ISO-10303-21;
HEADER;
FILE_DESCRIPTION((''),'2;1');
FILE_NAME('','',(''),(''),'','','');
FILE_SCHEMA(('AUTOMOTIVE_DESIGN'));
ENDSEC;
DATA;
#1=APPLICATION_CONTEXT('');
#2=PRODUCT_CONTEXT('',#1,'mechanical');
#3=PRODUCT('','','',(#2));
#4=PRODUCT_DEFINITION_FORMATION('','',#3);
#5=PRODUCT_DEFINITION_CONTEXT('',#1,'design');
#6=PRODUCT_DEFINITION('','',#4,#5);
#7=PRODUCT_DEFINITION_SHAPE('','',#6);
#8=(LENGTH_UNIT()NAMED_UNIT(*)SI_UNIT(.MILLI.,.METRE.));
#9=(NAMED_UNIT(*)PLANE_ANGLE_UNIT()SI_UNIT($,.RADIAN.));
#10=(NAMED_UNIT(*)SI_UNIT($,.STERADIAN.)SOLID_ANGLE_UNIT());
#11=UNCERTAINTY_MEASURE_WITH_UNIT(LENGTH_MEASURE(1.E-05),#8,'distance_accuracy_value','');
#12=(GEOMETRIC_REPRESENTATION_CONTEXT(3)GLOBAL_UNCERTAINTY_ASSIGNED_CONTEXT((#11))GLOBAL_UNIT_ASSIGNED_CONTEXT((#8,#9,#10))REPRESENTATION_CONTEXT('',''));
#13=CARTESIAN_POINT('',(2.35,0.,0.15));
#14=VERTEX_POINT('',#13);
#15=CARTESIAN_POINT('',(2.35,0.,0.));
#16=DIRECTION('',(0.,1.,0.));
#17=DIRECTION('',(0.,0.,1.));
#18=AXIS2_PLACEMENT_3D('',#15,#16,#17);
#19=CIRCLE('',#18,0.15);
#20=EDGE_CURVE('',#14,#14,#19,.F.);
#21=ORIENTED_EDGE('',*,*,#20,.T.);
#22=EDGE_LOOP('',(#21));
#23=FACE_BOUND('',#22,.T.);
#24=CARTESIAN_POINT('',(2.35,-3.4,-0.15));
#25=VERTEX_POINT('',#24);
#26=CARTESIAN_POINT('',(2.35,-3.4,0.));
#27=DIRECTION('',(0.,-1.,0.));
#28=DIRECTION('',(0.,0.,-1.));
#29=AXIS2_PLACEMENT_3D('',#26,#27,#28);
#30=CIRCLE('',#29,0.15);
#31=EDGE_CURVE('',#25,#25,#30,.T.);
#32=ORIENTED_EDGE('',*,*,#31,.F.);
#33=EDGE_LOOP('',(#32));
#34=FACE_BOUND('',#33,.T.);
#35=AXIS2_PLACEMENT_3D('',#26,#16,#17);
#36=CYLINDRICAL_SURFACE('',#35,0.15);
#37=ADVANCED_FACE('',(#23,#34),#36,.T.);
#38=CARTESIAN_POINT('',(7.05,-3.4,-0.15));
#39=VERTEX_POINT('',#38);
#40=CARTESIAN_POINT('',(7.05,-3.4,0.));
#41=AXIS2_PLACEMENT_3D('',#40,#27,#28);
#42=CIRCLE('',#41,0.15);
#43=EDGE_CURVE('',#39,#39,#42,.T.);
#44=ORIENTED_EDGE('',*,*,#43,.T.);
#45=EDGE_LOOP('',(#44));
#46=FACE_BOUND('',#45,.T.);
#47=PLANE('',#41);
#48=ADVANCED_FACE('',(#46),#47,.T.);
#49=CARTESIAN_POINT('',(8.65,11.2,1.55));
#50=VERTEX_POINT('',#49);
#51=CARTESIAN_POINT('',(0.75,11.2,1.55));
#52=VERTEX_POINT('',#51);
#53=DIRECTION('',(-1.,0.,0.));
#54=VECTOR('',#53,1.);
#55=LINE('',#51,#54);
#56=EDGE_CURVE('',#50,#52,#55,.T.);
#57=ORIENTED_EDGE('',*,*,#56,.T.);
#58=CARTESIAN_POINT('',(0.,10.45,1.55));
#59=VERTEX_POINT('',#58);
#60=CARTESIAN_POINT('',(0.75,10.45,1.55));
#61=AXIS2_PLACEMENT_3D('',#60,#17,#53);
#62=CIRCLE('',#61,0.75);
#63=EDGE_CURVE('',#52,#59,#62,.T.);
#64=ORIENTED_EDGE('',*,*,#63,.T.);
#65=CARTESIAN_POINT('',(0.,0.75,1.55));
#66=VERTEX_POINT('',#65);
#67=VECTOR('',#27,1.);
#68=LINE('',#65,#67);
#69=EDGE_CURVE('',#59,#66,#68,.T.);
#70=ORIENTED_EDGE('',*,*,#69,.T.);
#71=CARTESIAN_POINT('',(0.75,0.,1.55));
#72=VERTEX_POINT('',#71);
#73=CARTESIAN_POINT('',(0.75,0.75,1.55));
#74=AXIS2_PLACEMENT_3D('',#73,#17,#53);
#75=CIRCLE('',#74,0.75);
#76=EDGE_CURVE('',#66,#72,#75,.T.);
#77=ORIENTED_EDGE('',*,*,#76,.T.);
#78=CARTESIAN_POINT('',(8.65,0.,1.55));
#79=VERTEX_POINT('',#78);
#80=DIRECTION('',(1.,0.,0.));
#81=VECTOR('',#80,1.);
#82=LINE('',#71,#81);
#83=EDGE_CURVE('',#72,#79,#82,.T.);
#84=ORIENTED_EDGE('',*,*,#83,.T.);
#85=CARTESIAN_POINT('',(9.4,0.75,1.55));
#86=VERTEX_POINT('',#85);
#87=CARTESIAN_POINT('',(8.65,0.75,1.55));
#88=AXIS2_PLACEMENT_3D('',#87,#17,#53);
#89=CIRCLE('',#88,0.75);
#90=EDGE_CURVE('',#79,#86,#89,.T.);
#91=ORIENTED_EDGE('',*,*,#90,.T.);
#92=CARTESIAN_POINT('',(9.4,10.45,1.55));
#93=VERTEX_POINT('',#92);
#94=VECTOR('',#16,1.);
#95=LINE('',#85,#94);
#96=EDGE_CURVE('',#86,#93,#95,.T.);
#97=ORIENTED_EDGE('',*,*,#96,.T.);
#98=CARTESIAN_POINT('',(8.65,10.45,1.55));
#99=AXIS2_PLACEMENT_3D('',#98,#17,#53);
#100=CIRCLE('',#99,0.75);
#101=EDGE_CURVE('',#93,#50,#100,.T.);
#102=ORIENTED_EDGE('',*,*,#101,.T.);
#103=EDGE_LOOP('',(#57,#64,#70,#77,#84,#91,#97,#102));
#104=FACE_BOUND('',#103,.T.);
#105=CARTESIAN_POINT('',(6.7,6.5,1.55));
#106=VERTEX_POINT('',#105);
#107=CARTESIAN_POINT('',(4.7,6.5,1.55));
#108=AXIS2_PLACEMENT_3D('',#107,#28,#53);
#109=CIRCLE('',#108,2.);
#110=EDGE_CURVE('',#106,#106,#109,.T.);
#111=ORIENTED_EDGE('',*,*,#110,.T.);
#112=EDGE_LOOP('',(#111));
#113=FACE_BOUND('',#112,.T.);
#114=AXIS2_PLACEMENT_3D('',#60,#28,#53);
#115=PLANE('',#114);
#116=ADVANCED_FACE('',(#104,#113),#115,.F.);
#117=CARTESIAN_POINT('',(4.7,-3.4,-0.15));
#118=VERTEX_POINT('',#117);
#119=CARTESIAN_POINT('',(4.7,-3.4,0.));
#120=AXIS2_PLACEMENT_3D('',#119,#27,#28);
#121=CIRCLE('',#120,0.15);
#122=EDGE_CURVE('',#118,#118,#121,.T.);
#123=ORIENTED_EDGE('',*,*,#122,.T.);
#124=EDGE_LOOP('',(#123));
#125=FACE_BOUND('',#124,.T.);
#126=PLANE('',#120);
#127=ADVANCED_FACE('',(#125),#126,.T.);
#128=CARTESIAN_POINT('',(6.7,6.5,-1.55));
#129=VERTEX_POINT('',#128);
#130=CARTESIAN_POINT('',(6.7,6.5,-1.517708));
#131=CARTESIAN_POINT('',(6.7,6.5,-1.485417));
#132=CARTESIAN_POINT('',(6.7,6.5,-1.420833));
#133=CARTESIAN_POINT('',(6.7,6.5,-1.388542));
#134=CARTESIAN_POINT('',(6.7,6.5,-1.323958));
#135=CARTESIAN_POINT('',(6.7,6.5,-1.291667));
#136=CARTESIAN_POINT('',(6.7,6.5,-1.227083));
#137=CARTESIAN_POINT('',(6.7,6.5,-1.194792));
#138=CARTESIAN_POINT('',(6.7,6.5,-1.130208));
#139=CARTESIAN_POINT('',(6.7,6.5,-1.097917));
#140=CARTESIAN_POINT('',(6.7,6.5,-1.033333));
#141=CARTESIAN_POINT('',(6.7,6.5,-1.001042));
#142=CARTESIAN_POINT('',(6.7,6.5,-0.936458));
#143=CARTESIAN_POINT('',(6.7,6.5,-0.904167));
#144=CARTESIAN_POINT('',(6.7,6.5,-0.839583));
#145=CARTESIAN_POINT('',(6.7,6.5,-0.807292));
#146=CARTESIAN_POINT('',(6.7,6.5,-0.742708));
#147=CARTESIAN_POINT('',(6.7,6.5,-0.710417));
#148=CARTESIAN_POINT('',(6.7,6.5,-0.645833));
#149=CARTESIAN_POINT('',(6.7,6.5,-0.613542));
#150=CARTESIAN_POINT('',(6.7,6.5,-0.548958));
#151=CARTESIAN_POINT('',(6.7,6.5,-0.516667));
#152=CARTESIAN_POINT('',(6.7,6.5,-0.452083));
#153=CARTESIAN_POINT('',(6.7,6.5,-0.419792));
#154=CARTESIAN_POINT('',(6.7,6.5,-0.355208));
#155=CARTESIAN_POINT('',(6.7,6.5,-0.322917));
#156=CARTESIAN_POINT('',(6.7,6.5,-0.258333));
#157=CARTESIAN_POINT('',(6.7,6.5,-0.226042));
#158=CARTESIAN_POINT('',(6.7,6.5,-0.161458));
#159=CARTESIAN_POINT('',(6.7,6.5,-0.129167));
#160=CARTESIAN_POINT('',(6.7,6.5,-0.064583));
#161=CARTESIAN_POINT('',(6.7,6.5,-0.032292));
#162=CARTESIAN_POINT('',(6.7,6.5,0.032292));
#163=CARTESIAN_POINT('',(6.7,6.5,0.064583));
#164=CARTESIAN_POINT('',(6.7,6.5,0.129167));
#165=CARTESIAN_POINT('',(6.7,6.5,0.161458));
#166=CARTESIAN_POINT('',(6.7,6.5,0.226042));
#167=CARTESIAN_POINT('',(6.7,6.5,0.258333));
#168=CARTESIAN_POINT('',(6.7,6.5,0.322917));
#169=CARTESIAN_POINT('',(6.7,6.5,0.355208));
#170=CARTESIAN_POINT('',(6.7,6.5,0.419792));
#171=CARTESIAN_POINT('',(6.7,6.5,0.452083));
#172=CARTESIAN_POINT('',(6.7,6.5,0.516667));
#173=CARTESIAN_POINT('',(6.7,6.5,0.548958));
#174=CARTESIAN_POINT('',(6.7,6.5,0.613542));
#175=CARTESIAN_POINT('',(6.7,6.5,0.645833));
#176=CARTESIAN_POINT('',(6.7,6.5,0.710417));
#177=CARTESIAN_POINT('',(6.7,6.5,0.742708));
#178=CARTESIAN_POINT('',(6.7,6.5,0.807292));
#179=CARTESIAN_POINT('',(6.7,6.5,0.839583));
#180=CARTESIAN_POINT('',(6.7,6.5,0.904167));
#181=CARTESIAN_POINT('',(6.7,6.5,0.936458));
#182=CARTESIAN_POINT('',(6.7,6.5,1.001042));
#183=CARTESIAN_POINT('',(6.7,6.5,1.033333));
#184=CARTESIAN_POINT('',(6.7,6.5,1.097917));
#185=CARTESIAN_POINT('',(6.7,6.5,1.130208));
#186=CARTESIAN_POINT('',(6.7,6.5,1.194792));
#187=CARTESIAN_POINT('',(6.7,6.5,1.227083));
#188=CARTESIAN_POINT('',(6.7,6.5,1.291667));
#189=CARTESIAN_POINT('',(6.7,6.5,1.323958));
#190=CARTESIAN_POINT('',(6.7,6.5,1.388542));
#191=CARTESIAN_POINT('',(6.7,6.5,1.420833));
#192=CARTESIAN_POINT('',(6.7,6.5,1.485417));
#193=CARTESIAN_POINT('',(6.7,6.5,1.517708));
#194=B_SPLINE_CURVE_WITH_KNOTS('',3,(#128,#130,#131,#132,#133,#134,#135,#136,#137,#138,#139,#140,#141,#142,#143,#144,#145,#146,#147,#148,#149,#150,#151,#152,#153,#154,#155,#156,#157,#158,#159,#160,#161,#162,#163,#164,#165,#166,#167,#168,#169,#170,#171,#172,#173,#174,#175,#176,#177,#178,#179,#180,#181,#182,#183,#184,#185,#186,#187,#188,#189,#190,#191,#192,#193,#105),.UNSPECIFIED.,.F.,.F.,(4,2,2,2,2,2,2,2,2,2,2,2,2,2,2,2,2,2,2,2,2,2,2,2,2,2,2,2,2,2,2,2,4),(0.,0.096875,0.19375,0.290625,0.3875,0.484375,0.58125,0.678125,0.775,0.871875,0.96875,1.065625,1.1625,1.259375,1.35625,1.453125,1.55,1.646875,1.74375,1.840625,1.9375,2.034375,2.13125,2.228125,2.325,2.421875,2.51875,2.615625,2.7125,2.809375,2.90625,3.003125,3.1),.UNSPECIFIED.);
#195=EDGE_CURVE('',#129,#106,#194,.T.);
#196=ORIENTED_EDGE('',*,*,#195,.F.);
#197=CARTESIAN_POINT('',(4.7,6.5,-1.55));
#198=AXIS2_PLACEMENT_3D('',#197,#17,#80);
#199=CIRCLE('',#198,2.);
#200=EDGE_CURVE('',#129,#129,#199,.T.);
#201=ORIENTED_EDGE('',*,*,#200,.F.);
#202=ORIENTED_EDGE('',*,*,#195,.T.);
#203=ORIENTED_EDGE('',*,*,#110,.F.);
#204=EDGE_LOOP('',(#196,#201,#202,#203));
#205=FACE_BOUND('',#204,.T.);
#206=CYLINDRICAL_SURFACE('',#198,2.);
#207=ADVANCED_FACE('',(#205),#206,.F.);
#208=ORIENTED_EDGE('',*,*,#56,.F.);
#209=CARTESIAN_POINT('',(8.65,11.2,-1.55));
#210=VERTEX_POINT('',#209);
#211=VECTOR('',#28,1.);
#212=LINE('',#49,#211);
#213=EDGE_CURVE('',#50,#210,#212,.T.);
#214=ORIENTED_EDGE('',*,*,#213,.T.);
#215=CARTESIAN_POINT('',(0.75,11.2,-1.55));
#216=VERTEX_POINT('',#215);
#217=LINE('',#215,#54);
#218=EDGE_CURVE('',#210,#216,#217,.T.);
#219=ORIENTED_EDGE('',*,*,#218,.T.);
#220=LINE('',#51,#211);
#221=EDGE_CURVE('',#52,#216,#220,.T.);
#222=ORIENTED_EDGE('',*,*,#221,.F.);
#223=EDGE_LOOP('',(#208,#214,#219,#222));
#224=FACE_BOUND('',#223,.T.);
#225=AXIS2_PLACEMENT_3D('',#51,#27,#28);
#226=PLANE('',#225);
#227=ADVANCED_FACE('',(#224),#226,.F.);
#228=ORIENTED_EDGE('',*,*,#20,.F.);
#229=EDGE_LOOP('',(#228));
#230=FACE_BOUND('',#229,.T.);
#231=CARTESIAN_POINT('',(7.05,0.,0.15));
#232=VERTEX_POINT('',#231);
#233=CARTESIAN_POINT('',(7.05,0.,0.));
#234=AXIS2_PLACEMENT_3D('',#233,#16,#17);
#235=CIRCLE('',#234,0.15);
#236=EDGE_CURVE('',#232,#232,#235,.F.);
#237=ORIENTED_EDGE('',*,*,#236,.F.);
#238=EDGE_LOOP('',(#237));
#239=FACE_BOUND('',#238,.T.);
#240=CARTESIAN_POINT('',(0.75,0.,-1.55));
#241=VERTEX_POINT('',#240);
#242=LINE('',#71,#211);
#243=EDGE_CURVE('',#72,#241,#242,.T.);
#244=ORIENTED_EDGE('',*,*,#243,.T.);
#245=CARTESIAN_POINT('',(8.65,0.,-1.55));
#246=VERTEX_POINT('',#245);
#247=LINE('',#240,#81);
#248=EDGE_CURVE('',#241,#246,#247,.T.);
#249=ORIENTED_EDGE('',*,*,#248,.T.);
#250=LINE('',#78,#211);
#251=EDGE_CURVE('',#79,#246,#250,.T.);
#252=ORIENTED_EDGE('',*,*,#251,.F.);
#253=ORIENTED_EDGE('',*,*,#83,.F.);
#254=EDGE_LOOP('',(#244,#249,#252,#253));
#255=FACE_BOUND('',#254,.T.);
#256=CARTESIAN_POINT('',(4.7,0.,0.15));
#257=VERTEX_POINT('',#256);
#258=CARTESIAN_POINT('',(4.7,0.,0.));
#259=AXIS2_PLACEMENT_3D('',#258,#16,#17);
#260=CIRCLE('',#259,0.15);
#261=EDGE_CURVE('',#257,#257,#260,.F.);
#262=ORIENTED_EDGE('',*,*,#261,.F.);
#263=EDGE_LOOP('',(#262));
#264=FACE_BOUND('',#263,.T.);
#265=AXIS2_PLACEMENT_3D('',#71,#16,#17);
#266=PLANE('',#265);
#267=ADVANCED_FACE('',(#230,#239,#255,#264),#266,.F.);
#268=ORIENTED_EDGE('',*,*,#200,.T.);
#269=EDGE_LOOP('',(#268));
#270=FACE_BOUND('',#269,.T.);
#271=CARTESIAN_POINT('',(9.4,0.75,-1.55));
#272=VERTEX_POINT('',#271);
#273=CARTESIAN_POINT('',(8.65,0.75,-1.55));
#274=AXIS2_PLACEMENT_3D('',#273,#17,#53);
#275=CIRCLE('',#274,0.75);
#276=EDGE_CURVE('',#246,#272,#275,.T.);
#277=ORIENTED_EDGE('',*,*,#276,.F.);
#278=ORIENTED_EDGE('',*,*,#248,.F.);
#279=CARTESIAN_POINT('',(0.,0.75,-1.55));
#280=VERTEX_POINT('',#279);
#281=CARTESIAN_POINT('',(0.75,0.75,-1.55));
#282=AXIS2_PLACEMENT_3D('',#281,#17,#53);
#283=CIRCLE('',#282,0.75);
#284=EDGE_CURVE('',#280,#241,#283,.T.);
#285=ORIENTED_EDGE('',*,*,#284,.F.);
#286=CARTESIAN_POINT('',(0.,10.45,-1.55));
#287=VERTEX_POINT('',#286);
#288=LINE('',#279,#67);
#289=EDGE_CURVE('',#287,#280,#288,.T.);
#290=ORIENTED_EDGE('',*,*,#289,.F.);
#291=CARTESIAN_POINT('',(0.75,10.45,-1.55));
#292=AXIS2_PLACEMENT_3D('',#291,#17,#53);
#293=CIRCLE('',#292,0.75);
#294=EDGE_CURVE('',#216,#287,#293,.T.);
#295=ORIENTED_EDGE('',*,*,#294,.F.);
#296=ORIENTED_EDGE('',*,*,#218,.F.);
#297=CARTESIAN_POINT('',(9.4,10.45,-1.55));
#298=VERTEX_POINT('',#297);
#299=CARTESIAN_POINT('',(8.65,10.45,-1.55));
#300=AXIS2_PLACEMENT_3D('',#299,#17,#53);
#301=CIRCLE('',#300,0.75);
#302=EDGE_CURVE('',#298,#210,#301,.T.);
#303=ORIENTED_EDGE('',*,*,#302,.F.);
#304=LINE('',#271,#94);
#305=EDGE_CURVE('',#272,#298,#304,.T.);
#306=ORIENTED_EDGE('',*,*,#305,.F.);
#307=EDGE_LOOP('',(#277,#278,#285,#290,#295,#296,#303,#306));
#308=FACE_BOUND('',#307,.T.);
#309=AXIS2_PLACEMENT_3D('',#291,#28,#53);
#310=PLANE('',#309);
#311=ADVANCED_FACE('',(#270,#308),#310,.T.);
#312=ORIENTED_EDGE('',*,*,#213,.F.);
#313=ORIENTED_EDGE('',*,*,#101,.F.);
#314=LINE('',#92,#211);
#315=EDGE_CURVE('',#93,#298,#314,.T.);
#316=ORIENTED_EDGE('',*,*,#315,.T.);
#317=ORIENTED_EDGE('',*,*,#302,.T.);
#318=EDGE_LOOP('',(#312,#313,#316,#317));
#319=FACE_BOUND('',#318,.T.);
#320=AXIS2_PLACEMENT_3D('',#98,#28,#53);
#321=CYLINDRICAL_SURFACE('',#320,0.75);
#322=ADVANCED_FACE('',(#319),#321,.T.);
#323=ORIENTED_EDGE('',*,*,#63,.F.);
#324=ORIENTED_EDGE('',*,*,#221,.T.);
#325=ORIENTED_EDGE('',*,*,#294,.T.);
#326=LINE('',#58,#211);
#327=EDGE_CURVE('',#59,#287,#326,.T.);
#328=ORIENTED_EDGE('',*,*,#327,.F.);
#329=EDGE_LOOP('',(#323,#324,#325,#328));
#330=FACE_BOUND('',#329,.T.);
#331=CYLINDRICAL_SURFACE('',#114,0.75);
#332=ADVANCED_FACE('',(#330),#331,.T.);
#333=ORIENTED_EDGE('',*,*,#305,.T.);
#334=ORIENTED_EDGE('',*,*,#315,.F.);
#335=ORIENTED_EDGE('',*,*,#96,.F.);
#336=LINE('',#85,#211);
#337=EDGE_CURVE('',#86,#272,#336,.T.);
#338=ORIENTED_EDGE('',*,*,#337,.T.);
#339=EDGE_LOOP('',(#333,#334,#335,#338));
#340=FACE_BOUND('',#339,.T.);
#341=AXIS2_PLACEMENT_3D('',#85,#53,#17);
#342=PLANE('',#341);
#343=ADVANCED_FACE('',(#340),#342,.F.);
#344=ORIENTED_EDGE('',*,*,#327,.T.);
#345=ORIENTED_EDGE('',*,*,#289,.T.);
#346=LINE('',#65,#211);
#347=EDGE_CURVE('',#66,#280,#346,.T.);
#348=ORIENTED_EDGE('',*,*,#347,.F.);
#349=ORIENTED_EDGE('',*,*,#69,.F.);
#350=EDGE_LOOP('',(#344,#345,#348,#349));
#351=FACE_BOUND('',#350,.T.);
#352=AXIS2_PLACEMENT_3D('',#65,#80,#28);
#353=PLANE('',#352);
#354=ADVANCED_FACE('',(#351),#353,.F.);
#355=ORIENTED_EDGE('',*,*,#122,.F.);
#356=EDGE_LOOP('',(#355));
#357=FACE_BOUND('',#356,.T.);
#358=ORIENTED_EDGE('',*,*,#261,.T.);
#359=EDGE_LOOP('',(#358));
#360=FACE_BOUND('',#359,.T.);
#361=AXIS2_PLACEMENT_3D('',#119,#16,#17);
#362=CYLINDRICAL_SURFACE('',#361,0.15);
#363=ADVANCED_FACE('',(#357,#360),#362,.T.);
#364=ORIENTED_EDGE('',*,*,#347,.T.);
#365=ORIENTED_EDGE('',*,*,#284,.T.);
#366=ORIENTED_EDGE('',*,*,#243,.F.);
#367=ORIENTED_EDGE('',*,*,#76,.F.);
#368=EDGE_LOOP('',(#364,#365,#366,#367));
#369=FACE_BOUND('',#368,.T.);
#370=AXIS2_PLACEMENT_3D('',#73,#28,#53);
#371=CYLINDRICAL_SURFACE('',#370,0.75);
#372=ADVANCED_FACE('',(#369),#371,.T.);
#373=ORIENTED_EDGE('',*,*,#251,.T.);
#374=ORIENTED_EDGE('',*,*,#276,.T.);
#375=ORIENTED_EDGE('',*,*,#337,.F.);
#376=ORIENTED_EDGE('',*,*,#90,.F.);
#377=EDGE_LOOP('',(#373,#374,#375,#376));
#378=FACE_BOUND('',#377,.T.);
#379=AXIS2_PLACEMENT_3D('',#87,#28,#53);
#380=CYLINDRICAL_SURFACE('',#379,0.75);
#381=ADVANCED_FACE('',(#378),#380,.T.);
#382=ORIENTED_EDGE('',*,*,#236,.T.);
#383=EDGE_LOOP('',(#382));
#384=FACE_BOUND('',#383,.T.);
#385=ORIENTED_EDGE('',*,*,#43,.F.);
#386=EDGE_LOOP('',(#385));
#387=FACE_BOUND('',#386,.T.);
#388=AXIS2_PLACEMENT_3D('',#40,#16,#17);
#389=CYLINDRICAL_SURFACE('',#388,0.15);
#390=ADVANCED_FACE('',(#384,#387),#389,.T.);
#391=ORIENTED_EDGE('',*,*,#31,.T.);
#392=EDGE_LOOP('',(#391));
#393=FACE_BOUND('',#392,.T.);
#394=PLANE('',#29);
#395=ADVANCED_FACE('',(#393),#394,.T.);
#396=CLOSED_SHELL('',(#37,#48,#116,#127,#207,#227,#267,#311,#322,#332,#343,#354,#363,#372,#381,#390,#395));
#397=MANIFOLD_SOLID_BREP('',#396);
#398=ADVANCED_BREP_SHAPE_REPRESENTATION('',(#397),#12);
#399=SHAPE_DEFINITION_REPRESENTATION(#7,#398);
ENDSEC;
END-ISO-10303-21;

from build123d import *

# Parameters (mm, degrees)
EXT_BODY_DEPTH          = 1.55
CUT_POT_HOLE_DEPTH      = 15.946906034
CUT_POT_HOLE_DEPTH_BACK = 15.946906034
SKETCH2_R               = 2
SKETCH5_R               = 0.15
EXT_PINS_DEPTH          = 3.4


with BuildPart() as part:
    # Sketch1 → ext-body (new, symmetric)
    with BuildSketch(Plane.XY):
        with BuildLine():
            Line((0.75, 0), (8.65, 0))
            ThreePointArc((8.65, 0), (9.180330086, 0.219669914), (9.4, 0.75))
            Line((9.4, 0.75), (9.4, 10.45))
            ThreePointArc((9.4, 10.45), (9.180330086, 10.980330086), (8.65, 11.2))
            Line((8.65, 11.2), (0.75, 11.2))
            ThreePointArc((0.75, 11.2), (0.219669914, 10.980330086), (0, 10.45))
            Line((0, 10.45), (0, 0.75))
            ThreePointArc((0, 0.75), (0.219669914, 0.219669914), (0.75, 0))
        make_face()
    extrude(amount=EXT_BODY_DEPTH, both=True)

    # Sketch2 → cut-pot_hole (cut, two sides: drawn at the far end of the back side and taken through both)
    with BuildSketch(Plane.XY.offset(1.55).offset(-CUT_POT_HOLE_DEPTH_BACK)):
        with Locations((4.7, 6.5)):
            Circle(SKETCH2_R)
    extrude(amount=CUT_POT_HOLE_DEPTH + CUT_POT_HOLE_DEPTH_BACK, mode=Mode.SUBTRACT)

    # Sketch5 → ext-pins (add)
    with BuildSketch(Plane.XZ):
        with Locations(Location((2.35, 0, 0), (0, 0, 90))):
            Circle(SKETCH5_R)
        with Locations(Location((4.7, 0, 0), (0, 0, 90))):
            Circle(SKETCH5_R)
        with Locations(Location((7.05, 0, 0), (0, 0, 90))):
            Circle(SKETCH5_R)
    extrude(amount=EXT_PINS_DEPTH)


solid = part.part
